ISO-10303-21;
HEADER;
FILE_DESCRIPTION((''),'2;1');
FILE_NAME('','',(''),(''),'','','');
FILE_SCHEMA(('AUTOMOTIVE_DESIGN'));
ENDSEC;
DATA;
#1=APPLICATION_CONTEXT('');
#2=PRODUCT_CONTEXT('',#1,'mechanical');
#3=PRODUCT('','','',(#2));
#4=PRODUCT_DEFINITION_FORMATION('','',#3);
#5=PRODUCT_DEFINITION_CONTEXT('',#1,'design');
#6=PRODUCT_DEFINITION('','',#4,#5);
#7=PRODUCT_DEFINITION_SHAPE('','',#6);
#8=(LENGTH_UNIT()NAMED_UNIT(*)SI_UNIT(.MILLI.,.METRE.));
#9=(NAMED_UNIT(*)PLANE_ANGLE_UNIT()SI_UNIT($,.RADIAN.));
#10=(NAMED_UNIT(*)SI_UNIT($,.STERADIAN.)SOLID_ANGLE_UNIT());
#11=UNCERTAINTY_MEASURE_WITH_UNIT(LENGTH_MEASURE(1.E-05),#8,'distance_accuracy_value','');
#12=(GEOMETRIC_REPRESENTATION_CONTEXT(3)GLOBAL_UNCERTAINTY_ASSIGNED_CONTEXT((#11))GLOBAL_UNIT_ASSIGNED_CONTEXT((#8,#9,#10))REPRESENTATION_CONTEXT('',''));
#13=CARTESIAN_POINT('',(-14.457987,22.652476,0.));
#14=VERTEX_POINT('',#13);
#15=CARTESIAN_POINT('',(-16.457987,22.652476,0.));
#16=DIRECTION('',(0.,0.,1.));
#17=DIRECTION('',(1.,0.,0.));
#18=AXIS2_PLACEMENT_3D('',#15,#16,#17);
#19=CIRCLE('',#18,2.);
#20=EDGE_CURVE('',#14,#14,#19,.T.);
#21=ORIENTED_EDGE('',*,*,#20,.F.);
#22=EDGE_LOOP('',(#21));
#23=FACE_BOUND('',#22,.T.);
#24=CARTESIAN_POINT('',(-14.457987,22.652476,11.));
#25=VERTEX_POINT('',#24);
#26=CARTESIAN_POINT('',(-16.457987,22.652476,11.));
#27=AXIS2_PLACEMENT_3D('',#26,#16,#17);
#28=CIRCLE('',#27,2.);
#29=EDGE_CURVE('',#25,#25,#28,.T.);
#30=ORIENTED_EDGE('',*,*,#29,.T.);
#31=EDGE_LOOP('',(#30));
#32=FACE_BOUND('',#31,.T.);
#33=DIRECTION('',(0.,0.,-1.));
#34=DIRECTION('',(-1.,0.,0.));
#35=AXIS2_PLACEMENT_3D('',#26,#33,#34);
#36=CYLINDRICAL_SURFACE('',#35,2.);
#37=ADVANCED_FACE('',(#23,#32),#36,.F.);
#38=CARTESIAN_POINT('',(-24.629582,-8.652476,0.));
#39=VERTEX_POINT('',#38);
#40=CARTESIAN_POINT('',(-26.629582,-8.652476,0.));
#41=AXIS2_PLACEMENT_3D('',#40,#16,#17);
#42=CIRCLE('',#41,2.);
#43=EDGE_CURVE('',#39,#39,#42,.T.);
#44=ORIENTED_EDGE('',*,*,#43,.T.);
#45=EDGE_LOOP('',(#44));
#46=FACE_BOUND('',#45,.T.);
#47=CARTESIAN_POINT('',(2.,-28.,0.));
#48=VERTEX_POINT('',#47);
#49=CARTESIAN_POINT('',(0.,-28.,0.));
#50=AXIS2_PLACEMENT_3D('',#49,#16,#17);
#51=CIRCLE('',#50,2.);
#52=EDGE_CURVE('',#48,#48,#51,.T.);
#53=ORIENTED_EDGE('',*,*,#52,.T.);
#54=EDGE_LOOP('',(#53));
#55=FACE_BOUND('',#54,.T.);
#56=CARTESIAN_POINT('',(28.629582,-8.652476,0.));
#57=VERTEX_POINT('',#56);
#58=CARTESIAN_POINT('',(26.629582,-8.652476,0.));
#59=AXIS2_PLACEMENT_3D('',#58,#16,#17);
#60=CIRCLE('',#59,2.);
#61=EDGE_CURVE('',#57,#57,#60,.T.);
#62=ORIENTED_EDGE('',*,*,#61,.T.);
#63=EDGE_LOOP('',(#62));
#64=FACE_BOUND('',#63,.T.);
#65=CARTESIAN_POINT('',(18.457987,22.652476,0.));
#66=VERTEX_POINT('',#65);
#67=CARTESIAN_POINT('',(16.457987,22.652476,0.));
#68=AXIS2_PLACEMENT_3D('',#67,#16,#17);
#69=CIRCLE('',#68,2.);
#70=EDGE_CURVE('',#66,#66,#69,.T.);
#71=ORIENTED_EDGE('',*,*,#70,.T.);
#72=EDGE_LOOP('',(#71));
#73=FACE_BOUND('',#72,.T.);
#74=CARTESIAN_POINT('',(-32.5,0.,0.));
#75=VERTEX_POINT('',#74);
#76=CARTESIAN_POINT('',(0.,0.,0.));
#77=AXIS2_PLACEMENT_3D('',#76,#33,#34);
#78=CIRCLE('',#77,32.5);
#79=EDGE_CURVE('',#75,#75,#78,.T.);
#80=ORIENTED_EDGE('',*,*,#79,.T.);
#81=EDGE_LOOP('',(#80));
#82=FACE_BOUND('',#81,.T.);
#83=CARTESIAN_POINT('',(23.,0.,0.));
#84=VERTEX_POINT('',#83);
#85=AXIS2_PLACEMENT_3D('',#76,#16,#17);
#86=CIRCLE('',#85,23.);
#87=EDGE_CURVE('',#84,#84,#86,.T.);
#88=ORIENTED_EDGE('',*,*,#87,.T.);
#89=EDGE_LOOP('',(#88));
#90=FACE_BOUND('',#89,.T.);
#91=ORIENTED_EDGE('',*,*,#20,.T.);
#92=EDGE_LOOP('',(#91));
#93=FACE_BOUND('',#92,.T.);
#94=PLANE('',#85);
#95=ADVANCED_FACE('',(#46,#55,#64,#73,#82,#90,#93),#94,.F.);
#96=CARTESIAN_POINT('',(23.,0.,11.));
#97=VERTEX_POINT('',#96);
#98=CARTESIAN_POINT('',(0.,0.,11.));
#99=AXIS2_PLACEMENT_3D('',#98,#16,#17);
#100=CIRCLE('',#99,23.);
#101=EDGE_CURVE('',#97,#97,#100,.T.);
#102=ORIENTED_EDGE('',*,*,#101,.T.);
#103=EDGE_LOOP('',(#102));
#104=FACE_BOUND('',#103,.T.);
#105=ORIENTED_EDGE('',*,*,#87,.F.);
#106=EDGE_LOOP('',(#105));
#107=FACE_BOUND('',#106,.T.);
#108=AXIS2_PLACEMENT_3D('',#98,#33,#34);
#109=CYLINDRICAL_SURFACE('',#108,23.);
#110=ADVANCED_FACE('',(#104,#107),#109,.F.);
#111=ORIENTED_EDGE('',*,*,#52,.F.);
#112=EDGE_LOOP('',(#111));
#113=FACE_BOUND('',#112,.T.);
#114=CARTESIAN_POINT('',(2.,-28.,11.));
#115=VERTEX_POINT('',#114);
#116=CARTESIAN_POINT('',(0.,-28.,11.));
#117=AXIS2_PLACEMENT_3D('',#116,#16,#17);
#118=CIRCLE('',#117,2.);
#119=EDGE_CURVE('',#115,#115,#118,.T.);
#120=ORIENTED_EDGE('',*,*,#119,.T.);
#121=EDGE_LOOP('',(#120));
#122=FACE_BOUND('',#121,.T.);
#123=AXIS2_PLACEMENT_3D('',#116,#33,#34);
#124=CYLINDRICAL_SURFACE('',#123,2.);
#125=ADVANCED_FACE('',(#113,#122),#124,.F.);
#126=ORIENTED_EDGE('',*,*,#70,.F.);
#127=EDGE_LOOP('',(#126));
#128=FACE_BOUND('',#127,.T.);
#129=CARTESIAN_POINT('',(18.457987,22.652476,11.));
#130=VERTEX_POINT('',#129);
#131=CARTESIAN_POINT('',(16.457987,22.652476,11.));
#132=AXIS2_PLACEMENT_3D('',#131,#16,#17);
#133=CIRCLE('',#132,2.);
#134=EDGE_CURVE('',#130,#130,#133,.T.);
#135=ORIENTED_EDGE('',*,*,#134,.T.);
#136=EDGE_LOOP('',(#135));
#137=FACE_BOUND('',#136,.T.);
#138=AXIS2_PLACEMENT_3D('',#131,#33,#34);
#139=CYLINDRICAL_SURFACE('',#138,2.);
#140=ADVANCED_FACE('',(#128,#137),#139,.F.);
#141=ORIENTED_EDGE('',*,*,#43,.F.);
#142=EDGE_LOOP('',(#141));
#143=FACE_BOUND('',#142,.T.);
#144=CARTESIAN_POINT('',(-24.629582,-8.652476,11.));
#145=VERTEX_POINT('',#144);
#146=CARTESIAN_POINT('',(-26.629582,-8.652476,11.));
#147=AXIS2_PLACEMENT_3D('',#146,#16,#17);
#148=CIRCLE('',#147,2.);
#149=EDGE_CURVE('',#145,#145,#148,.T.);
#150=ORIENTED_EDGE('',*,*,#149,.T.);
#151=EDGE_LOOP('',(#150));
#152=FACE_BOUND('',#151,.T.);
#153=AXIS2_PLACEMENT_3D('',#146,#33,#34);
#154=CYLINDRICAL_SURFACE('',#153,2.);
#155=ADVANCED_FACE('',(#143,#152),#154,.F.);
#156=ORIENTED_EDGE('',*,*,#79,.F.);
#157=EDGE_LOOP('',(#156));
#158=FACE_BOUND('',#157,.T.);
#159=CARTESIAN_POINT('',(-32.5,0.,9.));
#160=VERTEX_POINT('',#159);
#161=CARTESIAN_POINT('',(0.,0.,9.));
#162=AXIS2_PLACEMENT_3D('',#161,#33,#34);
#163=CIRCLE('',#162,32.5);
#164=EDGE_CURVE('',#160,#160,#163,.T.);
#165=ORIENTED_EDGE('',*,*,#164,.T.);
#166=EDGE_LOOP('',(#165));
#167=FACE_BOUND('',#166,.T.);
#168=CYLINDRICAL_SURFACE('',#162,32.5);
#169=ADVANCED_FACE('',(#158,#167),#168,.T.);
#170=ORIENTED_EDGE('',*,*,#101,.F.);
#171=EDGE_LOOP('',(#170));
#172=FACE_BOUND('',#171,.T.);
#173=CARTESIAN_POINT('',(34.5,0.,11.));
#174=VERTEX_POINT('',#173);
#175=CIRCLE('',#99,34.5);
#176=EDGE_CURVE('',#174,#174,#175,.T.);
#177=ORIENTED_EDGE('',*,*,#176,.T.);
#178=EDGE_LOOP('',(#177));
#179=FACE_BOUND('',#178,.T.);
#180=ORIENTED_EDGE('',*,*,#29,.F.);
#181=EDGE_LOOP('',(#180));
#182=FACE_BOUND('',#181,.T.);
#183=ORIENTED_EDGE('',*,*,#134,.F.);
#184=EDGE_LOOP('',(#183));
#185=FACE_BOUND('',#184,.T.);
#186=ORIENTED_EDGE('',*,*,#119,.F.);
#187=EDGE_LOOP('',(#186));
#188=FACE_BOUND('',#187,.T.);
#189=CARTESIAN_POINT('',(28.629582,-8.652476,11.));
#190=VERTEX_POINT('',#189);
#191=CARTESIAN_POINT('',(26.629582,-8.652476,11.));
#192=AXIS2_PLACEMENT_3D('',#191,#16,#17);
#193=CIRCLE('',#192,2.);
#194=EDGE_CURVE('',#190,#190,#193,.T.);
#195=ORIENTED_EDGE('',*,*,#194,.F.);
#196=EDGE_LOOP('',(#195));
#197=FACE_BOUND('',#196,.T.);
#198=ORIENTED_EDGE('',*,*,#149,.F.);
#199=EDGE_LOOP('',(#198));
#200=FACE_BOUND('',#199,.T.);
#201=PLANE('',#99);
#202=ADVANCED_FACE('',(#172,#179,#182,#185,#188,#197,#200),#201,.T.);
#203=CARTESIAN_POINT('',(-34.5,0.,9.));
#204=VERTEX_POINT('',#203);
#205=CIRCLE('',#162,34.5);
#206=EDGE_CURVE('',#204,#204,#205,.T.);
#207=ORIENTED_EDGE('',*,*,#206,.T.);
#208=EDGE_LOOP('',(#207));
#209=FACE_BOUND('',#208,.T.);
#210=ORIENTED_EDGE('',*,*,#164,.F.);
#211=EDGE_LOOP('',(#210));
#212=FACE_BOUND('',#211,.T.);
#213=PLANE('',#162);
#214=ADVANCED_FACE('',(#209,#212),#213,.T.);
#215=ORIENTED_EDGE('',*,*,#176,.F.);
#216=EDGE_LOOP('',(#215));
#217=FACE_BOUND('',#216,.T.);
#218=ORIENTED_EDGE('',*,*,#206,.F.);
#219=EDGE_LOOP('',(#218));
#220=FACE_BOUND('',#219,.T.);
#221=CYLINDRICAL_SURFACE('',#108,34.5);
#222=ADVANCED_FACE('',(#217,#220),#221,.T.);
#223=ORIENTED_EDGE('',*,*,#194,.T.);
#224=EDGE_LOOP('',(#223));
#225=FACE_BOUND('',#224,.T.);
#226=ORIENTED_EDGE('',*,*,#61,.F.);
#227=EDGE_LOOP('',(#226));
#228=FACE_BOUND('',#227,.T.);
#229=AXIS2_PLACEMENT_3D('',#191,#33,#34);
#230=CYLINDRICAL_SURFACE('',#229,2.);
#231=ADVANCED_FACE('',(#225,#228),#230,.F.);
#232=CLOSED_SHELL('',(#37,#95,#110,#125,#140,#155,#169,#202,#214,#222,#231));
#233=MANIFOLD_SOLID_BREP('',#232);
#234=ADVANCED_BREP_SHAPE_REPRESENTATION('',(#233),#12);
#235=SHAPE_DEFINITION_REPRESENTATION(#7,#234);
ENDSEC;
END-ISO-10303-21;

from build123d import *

# Parameters (mm, degrees)
SKETCH_1_R          = 34.5
SKETCH_1_R_2        = 23
SKETCH_1_R_3        = 2
EXTRUDE_1_DEPTH     = 11
SKETCH_2_R          = 34.5
SKETCH_2_R_2        = 32.5
CUT_EXTRUDE_1_DEPTH = 9


with BuildPart() as part:
    # 草图1 → 凸台-拉伸1 (new body)
    with BuildSketch(Plane.XY):
        Circle(SKETCH_1_R)
        Circle(SKETCH_1_R_2, mode=Mode.SUBTRACT)
        with Locations((0, -28)):
            Circle(SKETCH_1_R_3, mode=Mode.SUBTRACT)
        with Locations((-26.629582456, -8.652475842)):
            Circle(SKETCH_1_R_3, mode=Mode.SUBTRACT)
        with Locations((-16.457987064, 22.652475842)):
            Circle(SKETCH_1_R_3, mode=Mode.SUBTRACT)
        with Locations((16.457987064, 22.652475842)):
            Circle(SKETCH_1_R_3, mode=Mode.SUBTRACT)
        with Locations((26.629582456, -8.652475842)):
            Circle(SKETCH_1_R_3, mode=Mode.SUBTRACT)
    extrude(amount=EXTRUDE_1_DEPTH)

    # 草图2 → 切除-拉伸1 (cut)
    with BuildSketch(Plane(origin=(0, 0, 0), x_dir=(-1, 0, 0), z_dir=(0, 0, -1))):
        Circle(SKETCH_2_R)
        Circle(SKETCH_2_R_2, mode=Mode.SUBTRACT)
    extrude(amount=-CUT_EXTRUDE_1_DEPTH, mode=Mode.SUBTRACT)


solid = part.part
